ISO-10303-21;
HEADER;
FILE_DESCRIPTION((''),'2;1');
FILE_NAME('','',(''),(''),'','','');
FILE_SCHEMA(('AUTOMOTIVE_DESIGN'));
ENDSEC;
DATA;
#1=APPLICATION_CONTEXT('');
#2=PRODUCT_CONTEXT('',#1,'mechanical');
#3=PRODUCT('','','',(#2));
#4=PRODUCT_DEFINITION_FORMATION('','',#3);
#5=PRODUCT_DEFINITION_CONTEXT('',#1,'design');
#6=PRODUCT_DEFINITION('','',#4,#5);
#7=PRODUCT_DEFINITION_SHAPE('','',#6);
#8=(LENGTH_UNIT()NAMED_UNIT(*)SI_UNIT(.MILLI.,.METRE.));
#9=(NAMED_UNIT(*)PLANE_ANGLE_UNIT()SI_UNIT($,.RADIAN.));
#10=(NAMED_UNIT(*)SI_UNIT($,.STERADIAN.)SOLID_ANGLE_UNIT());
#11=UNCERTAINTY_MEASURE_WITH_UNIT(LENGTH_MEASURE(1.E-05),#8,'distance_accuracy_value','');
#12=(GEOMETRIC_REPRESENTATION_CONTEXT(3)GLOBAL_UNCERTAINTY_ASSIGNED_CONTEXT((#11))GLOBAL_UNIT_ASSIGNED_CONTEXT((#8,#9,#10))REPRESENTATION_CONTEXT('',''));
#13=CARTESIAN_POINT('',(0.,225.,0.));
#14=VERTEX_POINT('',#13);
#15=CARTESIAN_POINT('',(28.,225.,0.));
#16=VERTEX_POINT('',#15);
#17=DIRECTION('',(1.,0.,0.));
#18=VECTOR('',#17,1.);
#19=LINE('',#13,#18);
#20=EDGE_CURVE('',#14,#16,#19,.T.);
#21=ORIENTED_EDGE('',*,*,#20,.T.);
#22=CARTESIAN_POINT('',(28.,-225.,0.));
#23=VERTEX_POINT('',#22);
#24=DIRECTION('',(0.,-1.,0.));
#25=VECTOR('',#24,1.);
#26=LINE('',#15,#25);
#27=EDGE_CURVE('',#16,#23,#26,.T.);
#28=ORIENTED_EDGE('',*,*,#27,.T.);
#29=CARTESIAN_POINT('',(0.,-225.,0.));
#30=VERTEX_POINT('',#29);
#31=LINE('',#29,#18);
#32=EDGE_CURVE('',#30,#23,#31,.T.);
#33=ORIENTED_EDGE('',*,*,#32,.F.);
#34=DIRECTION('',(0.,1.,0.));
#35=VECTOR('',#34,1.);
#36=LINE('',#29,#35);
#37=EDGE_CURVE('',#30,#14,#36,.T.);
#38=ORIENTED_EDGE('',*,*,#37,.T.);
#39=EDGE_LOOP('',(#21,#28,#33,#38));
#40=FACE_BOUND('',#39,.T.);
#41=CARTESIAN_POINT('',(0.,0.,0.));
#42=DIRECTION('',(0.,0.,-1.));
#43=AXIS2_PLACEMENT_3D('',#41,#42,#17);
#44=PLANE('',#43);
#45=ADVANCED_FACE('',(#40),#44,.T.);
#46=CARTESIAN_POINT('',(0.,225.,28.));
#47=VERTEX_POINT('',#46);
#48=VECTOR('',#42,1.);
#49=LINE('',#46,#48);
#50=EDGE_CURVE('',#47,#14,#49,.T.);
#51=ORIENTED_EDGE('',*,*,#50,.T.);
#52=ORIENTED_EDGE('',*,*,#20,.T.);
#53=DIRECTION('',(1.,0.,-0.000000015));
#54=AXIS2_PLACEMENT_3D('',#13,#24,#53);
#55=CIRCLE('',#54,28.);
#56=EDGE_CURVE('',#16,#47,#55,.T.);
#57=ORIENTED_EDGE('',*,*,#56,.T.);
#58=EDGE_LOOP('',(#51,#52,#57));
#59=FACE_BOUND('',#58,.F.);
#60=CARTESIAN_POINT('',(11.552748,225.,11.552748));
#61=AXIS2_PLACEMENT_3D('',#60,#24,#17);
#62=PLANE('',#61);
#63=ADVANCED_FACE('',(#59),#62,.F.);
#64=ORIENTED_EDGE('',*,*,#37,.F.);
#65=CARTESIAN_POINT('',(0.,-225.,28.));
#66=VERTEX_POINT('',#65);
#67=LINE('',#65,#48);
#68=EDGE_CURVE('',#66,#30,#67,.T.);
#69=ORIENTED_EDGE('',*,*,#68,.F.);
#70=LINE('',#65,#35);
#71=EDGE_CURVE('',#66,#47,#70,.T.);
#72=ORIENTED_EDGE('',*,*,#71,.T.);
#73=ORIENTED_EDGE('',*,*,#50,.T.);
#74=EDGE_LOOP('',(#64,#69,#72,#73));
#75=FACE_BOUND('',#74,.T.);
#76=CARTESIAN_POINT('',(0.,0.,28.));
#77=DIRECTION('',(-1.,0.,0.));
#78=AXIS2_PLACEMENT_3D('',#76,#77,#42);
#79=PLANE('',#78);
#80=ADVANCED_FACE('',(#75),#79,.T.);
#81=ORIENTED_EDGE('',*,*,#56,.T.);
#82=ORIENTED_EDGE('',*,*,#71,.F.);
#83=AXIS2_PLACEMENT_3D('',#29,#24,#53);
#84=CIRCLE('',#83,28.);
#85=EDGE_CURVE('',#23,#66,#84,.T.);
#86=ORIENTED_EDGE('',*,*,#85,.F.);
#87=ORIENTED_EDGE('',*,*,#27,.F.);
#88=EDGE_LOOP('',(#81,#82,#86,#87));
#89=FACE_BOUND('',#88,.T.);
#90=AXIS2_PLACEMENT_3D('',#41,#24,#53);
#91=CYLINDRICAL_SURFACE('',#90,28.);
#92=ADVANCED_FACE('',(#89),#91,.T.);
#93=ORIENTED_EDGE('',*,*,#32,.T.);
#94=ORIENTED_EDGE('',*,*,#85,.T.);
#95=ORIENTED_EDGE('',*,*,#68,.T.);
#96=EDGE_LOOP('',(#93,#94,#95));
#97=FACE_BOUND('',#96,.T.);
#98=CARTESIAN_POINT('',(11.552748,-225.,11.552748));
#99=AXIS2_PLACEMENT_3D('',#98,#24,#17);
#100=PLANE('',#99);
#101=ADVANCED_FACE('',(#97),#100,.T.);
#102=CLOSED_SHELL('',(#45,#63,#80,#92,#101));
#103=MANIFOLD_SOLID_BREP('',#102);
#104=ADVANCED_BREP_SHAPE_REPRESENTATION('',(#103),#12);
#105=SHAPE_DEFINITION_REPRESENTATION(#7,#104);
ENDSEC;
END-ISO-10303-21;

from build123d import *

# Parameters (mm, degrees)
F1_DEPTH = 225


with BuildPart() as f1:
    # F0 (on Front) → F1 (new body, symmetric)
    with BuildSketch(Plane.XZ):
        with BuildLine():
            Line((0, 0), (28, 0))
            ThreePointArc((28, 0), (19.79899, 19.79899), (0, 28))
            Line((0, 28), (0, 0))
        make_face()
    extrude(amount=F1_DEPTH, both=True)


solid = f1.part
